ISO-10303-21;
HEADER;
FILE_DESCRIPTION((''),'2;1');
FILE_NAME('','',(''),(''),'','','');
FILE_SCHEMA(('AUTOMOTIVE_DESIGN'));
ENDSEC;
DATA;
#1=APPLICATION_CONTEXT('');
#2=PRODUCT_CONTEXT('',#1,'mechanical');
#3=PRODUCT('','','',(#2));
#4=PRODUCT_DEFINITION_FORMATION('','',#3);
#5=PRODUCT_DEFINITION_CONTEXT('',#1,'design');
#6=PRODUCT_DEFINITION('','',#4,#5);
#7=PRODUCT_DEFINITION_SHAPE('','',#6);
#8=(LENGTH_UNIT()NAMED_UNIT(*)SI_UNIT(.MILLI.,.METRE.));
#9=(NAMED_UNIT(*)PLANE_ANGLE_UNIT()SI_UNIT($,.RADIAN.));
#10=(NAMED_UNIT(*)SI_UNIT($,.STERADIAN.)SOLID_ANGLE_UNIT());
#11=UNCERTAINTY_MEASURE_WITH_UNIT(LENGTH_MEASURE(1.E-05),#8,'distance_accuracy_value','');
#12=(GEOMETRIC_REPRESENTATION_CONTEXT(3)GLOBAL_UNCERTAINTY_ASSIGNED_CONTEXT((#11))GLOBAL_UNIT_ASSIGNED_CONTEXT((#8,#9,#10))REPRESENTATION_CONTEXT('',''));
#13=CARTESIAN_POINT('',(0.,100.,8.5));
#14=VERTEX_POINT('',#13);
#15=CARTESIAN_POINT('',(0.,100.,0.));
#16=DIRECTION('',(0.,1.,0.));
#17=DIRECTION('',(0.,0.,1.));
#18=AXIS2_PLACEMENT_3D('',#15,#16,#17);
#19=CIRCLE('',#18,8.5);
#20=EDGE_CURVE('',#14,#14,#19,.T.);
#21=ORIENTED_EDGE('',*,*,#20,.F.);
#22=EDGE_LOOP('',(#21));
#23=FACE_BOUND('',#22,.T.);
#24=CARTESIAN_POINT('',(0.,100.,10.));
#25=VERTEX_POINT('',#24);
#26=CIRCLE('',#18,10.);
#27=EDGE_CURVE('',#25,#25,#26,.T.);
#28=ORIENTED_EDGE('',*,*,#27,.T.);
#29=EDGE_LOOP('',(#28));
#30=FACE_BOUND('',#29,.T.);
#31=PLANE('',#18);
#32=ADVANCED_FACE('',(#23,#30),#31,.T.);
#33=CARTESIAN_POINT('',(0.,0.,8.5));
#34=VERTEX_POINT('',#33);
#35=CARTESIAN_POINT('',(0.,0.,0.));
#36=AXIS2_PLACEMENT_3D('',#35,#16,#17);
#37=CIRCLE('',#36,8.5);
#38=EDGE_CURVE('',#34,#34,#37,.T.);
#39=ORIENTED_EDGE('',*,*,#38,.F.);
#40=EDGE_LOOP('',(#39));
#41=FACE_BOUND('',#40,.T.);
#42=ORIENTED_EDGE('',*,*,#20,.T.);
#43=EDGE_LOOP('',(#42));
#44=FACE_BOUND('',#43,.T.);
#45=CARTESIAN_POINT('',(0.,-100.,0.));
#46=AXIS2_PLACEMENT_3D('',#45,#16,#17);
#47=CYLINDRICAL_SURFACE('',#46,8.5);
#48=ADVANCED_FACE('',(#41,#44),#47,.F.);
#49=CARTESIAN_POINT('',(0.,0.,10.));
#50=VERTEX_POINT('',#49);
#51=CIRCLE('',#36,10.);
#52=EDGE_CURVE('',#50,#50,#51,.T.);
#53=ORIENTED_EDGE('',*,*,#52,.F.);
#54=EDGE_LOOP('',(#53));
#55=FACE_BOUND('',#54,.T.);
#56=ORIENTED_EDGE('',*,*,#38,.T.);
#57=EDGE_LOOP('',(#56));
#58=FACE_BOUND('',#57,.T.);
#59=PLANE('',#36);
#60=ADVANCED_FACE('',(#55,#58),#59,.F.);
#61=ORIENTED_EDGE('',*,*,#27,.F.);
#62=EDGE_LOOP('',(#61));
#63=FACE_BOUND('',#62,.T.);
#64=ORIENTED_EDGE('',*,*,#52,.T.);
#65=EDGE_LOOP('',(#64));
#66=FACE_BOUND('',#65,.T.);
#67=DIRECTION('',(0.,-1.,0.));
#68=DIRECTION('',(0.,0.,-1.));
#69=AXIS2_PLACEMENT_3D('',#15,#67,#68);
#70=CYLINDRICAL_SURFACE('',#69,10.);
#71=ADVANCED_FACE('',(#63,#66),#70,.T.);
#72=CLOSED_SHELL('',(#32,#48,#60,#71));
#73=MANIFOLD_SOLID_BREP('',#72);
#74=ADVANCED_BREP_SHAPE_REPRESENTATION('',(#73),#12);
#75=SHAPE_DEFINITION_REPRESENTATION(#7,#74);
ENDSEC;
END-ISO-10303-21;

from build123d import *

# Parameters (mm, degrees)
CIRKEL1_R          = 10
CILINDER_DEPTH     = 100
CIRKEL2_R          = 8.5
CILINDER_HOL_DEPTH = 200


with BuildPart() as part:
    # cirkel1 → cilinder (new body)
    with BuildSketch(Plane(origin=(0, 0, 0), x_dir=(1, 0, 0), z_dir=(0, 1, 0))):
        with Locations(Location((0, 0, 0), (0, 0, 270))):
            Circle(CIRKEL1_R)
    extrude(amount=CILINDER_DEPTH)

    # cirkel2 → cilinder_hol (cut)
    with BuildSketch(Plane(origin=(0, 100, 0), x_dir=(1, 0, 0), z_dir=(0, 1, 0))):
        with Locations(Location((0, 0, 0), (0, 0, 270))):
            Circle(CIRKEL2_R)
    extrude(amount=-CILINDER_HOL_DEPTH, mode=Mode.SUBTRACT)


solid = part.part
